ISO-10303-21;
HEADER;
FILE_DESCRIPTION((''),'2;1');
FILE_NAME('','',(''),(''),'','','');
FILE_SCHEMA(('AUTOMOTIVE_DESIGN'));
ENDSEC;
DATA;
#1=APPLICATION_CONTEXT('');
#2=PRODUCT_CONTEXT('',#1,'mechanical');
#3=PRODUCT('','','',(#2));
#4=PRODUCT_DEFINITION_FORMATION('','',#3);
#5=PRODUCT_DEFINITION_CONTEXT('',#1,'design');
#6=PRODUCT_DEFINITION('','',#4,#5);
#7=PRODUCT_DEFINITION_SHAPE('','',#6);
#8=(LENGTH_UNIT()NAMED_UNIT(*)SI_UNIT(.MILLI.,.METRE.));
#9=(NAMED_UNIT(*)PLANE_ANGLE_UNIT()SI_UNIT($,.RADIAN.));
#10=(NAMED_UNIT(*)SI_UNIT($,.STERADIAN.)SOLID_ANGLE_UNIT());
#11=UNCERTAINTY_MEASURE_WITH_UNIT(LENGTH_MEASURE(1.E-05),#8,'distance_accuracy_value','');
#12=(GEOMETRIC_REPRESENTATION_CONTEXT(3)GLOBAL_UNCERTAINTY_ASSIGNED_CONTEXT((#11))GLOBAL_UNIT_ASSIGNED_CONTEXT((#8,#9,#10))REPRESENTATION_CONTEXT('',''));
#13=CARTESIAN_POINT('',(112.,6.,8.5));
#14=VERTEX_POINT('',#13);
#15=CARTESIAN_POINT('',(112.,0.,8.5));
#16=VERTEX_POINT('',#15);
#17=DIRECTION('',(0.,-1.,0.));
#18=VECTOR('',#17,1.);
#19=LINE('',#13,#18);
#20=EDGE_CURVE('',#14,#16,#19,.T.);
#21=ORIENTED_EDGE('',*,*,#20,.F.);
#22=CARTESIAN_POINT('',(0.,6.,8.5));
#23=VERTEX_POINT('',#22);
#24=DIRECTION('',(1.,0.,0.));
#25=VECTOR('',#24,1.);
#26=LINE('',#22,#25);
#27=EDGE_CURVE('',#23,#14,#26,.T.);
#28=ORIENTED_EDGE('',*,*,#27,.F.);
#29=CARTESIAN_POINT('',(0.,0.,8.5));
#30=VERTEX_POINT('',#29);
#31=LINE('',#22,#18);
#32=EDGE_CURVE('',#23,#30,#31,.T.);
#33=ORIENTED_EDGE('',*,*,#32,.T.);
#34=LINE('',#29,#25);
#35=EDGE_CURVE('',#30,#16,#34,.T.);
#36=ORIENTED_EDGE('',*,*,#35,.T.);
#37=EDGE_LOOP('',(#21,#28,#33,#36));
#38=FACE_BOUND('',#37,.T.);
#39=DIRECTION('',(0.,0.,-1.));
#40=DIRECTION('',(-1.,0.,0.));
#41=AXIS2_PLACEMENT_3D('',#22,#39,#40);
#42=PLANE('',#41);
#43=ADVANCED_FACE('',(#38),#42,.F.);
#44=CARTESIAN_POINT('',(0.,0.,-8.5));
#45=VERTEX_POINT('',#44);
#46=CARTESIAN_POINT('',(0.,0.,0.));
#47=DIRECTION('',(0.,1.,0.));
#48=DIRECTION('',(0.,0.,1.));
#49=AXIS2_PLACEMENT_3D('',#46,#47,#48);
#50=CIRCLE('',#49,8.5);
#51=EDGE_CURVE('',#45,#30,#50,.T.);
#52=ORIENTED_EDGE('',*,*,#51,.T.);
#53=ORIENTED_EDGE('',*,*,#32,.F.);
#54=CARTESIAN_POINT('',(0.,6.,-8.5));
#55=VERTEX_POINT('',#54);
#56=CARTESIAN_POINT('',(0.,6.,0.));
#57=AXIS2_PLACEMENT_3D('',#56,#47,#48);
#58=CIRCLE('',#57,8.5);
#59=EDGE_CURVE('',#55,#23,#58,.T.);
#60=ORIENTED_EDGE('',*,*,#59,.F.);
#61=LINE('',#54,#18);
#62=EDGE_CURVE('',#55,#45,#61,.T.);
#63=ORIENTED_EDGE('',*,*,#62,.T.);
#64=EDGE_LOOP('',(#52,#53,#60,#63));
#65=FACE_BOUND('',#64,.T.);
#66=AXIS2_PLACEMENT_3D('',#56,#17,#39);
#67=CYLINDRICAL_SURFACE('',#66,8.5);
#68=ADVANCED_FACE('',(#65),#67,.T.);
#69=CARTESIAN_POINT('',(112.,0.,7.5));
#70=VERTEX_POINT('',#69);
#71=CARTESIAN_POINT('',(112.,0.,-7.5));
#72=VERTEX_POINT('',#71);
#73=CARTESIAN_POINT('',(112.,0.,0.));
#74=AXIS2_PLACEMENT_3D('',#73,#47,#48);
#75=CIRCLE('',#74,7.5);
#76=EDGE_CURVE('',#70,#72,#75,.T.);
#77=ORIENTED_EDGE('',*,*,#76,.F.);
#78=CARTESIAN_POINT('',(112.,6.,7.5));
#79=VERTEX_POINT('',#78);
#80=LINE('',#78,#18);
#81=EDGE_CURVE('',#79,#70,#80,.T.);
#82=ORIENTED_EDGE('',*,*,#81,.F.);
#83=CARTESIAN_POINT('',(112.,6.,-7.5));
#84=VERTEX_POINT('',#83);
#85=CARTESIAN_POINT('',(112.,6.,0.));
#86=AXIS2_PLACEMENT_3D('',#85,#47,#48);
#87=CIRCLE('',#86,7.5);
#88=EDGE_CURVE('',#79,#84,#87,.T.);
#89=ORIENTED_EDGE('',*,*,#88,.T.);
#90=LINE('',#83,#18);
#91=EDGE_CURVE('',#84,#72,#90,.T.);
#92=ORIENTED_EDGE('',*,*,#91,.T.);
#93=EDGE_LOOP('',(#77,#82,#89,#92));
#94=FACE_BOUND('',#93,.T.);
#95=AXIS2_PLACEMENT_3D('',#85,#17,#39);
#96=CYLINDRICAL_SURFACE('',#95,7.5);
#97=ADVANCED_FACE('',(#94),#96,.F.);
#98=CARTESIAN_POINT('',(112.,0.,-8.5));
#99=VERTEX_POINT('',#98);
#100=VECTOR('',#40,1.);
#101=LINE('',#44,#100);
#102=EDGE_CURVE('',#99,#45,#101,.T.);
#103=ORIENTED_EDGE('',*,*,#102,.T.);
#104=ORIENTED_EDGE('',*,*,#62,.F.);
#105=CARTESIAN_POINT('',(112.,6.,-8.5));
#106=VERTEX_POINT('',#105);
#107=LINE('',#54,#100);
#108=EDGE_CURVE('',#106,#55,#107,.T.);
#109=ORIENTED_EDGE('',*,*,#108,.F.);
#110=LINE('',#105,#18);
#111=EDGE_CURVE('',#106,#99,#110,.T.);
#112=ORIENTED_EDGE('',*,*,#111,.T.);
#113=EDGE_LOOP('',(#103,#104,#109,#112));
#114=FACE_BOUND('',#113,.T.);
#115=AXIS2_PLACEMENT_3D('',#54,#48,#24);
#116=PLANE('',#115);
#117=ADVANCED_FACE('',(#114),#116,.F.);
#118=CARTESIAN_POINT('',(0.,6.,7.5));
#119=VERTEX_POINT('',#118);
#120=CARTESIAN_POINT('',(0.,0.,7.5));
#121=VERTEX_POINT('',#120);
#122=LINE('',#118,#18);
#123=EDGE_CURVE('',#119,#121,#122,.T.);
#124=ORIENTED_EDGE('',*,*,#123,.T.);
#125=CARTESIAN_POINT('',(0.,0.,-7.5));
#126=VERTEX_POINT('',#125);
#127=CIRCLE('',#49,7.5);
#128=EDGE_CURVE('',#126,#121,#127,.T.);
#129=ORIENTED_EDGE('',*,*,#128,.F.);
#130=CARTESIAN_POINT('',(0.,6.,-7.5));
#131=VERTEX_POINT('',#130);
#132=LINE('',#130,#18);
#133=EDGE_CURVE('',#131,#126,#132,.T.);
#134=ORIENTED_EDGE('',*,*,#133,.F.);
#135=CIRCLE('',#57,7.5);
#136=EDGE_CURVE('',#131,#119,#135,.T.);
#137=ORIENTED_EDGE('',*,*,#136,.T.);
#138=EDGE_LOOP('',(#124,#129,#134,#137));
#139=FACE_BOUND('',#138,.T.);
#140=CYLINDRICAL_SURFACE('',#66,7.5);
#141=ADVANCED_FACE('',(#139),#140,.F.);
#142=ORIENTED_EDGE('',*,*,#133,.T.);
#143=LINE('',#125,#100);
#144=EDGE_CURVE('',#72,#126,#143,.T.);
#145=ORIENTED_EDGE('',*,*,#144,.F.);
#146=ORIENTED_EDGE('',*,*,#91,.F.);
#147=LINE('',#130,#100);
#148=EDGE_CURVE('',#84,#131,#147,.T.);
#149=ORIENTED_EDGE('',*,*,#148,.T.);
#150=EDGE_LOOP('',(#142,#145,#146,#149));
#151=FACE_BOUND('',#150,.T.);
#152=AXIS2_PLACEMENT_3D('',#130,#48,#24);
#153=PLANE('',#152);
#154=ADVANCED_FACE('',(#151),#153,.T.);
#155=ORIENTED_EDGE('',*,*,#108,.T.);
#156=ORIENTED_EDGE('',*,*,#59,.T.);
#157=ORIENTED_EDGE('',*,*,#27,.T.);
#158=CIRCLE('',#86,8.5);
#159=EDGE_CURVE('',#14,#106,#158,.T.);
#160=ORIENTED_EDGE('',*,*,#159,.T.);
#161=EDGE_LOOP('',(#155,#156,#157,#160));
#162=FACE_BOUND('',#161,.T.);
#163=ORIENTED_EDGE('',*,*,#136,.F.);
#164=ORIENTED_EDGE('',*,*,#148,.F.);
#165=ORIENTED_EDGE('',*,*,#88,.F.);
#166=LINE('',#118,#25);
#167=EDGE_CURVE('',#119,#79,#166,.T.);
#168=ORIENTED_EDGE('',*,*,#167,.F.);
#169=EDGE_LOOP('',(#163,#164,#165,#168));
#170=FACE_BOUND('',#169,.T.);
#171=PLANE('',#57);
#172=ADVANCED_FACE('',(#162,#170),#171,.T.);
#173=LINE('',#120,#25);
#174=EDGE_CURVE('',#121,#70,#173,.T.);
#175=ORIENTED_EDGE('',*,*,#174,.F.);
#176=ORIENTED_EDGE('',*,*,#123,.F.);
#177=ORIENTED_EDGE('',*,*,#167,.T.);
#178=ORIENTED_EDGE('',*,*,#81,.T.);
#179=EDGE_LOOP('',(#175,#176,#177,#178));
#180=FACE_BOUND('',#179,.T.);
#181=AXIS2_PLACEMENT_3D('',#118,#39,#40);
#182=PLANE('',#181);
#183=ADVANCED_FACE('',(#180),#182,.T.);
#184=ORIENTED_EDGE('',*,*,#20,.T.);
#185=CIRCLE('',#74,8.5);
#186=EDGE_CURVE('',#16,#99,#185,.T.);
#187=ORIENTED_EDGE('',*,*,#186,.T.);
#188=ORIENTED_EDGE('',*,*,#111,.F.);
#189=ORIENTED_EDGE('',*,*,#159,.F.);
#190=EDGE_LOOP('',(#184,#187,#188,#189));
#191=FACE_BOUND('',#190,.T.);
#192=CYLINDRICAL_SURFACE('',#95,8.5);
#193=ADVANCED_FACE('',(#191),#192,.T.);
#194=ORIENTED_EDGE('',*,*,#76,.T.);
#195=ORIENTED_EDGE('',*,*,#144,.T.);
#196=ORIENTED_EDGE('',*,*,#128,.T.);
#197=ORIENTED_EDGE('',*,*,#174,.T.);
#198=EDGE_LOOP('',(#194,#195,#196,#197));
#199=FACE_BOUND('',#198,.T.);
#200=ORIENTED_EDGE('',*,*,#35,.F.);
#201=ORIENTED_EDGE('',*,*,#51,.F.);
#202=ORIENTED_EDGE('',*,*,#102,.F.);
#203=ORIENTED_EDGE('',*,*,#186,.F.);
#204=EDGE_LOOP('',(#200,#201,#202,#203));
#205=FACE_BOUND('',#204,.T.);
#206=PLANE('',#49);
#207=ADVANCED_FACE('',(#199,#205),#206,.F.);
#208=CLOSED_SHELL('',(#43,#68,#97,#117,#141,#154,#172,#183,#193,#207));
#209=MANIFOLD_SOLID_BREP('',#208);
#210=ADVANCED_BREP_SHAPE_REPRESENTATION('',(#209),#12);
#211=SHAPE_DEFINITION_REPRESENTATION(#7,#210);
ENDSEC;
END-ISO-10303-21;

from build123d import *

# Parameters (mm, degrees)
BOSS_EXTRUDE3_DEPTH = 6


with BuildPart() as part:
    # Sketch4 → Boss-Extrude3 (new body)
    with BuildSketch(Plane(origin=(0, 0, 0), x_dir=(1, 0, 0), z_dir=(0, 1, 0))):
        with BuildLine():
            Line((0, 8.5), (112, 8.5))
            ThreePointArc((112, 8.5), (120.5, 0), (112, -8.5))
            Line((112, -8.5), (0, -8.5))
            ThreePointArc((0, -8.5), (-8.5, 0), (0, 8.5))
        make_face()
        with BuildLine():
            Line((0, 7.5), (112, 7.5))
            ThreePointArc((112, 7.5), (119.5, 0), (112, -7.5))
            Line((112, -7.5), (0, -7.5))
            ThreePointArc((0, -7.5), (-7.5, 0), (0, 7.5))
        make_face(mode=Mode.SUBTRACT)
    extrude(amount=BOSS_EXTRUDE3_DEPTH)


solid = part.part
